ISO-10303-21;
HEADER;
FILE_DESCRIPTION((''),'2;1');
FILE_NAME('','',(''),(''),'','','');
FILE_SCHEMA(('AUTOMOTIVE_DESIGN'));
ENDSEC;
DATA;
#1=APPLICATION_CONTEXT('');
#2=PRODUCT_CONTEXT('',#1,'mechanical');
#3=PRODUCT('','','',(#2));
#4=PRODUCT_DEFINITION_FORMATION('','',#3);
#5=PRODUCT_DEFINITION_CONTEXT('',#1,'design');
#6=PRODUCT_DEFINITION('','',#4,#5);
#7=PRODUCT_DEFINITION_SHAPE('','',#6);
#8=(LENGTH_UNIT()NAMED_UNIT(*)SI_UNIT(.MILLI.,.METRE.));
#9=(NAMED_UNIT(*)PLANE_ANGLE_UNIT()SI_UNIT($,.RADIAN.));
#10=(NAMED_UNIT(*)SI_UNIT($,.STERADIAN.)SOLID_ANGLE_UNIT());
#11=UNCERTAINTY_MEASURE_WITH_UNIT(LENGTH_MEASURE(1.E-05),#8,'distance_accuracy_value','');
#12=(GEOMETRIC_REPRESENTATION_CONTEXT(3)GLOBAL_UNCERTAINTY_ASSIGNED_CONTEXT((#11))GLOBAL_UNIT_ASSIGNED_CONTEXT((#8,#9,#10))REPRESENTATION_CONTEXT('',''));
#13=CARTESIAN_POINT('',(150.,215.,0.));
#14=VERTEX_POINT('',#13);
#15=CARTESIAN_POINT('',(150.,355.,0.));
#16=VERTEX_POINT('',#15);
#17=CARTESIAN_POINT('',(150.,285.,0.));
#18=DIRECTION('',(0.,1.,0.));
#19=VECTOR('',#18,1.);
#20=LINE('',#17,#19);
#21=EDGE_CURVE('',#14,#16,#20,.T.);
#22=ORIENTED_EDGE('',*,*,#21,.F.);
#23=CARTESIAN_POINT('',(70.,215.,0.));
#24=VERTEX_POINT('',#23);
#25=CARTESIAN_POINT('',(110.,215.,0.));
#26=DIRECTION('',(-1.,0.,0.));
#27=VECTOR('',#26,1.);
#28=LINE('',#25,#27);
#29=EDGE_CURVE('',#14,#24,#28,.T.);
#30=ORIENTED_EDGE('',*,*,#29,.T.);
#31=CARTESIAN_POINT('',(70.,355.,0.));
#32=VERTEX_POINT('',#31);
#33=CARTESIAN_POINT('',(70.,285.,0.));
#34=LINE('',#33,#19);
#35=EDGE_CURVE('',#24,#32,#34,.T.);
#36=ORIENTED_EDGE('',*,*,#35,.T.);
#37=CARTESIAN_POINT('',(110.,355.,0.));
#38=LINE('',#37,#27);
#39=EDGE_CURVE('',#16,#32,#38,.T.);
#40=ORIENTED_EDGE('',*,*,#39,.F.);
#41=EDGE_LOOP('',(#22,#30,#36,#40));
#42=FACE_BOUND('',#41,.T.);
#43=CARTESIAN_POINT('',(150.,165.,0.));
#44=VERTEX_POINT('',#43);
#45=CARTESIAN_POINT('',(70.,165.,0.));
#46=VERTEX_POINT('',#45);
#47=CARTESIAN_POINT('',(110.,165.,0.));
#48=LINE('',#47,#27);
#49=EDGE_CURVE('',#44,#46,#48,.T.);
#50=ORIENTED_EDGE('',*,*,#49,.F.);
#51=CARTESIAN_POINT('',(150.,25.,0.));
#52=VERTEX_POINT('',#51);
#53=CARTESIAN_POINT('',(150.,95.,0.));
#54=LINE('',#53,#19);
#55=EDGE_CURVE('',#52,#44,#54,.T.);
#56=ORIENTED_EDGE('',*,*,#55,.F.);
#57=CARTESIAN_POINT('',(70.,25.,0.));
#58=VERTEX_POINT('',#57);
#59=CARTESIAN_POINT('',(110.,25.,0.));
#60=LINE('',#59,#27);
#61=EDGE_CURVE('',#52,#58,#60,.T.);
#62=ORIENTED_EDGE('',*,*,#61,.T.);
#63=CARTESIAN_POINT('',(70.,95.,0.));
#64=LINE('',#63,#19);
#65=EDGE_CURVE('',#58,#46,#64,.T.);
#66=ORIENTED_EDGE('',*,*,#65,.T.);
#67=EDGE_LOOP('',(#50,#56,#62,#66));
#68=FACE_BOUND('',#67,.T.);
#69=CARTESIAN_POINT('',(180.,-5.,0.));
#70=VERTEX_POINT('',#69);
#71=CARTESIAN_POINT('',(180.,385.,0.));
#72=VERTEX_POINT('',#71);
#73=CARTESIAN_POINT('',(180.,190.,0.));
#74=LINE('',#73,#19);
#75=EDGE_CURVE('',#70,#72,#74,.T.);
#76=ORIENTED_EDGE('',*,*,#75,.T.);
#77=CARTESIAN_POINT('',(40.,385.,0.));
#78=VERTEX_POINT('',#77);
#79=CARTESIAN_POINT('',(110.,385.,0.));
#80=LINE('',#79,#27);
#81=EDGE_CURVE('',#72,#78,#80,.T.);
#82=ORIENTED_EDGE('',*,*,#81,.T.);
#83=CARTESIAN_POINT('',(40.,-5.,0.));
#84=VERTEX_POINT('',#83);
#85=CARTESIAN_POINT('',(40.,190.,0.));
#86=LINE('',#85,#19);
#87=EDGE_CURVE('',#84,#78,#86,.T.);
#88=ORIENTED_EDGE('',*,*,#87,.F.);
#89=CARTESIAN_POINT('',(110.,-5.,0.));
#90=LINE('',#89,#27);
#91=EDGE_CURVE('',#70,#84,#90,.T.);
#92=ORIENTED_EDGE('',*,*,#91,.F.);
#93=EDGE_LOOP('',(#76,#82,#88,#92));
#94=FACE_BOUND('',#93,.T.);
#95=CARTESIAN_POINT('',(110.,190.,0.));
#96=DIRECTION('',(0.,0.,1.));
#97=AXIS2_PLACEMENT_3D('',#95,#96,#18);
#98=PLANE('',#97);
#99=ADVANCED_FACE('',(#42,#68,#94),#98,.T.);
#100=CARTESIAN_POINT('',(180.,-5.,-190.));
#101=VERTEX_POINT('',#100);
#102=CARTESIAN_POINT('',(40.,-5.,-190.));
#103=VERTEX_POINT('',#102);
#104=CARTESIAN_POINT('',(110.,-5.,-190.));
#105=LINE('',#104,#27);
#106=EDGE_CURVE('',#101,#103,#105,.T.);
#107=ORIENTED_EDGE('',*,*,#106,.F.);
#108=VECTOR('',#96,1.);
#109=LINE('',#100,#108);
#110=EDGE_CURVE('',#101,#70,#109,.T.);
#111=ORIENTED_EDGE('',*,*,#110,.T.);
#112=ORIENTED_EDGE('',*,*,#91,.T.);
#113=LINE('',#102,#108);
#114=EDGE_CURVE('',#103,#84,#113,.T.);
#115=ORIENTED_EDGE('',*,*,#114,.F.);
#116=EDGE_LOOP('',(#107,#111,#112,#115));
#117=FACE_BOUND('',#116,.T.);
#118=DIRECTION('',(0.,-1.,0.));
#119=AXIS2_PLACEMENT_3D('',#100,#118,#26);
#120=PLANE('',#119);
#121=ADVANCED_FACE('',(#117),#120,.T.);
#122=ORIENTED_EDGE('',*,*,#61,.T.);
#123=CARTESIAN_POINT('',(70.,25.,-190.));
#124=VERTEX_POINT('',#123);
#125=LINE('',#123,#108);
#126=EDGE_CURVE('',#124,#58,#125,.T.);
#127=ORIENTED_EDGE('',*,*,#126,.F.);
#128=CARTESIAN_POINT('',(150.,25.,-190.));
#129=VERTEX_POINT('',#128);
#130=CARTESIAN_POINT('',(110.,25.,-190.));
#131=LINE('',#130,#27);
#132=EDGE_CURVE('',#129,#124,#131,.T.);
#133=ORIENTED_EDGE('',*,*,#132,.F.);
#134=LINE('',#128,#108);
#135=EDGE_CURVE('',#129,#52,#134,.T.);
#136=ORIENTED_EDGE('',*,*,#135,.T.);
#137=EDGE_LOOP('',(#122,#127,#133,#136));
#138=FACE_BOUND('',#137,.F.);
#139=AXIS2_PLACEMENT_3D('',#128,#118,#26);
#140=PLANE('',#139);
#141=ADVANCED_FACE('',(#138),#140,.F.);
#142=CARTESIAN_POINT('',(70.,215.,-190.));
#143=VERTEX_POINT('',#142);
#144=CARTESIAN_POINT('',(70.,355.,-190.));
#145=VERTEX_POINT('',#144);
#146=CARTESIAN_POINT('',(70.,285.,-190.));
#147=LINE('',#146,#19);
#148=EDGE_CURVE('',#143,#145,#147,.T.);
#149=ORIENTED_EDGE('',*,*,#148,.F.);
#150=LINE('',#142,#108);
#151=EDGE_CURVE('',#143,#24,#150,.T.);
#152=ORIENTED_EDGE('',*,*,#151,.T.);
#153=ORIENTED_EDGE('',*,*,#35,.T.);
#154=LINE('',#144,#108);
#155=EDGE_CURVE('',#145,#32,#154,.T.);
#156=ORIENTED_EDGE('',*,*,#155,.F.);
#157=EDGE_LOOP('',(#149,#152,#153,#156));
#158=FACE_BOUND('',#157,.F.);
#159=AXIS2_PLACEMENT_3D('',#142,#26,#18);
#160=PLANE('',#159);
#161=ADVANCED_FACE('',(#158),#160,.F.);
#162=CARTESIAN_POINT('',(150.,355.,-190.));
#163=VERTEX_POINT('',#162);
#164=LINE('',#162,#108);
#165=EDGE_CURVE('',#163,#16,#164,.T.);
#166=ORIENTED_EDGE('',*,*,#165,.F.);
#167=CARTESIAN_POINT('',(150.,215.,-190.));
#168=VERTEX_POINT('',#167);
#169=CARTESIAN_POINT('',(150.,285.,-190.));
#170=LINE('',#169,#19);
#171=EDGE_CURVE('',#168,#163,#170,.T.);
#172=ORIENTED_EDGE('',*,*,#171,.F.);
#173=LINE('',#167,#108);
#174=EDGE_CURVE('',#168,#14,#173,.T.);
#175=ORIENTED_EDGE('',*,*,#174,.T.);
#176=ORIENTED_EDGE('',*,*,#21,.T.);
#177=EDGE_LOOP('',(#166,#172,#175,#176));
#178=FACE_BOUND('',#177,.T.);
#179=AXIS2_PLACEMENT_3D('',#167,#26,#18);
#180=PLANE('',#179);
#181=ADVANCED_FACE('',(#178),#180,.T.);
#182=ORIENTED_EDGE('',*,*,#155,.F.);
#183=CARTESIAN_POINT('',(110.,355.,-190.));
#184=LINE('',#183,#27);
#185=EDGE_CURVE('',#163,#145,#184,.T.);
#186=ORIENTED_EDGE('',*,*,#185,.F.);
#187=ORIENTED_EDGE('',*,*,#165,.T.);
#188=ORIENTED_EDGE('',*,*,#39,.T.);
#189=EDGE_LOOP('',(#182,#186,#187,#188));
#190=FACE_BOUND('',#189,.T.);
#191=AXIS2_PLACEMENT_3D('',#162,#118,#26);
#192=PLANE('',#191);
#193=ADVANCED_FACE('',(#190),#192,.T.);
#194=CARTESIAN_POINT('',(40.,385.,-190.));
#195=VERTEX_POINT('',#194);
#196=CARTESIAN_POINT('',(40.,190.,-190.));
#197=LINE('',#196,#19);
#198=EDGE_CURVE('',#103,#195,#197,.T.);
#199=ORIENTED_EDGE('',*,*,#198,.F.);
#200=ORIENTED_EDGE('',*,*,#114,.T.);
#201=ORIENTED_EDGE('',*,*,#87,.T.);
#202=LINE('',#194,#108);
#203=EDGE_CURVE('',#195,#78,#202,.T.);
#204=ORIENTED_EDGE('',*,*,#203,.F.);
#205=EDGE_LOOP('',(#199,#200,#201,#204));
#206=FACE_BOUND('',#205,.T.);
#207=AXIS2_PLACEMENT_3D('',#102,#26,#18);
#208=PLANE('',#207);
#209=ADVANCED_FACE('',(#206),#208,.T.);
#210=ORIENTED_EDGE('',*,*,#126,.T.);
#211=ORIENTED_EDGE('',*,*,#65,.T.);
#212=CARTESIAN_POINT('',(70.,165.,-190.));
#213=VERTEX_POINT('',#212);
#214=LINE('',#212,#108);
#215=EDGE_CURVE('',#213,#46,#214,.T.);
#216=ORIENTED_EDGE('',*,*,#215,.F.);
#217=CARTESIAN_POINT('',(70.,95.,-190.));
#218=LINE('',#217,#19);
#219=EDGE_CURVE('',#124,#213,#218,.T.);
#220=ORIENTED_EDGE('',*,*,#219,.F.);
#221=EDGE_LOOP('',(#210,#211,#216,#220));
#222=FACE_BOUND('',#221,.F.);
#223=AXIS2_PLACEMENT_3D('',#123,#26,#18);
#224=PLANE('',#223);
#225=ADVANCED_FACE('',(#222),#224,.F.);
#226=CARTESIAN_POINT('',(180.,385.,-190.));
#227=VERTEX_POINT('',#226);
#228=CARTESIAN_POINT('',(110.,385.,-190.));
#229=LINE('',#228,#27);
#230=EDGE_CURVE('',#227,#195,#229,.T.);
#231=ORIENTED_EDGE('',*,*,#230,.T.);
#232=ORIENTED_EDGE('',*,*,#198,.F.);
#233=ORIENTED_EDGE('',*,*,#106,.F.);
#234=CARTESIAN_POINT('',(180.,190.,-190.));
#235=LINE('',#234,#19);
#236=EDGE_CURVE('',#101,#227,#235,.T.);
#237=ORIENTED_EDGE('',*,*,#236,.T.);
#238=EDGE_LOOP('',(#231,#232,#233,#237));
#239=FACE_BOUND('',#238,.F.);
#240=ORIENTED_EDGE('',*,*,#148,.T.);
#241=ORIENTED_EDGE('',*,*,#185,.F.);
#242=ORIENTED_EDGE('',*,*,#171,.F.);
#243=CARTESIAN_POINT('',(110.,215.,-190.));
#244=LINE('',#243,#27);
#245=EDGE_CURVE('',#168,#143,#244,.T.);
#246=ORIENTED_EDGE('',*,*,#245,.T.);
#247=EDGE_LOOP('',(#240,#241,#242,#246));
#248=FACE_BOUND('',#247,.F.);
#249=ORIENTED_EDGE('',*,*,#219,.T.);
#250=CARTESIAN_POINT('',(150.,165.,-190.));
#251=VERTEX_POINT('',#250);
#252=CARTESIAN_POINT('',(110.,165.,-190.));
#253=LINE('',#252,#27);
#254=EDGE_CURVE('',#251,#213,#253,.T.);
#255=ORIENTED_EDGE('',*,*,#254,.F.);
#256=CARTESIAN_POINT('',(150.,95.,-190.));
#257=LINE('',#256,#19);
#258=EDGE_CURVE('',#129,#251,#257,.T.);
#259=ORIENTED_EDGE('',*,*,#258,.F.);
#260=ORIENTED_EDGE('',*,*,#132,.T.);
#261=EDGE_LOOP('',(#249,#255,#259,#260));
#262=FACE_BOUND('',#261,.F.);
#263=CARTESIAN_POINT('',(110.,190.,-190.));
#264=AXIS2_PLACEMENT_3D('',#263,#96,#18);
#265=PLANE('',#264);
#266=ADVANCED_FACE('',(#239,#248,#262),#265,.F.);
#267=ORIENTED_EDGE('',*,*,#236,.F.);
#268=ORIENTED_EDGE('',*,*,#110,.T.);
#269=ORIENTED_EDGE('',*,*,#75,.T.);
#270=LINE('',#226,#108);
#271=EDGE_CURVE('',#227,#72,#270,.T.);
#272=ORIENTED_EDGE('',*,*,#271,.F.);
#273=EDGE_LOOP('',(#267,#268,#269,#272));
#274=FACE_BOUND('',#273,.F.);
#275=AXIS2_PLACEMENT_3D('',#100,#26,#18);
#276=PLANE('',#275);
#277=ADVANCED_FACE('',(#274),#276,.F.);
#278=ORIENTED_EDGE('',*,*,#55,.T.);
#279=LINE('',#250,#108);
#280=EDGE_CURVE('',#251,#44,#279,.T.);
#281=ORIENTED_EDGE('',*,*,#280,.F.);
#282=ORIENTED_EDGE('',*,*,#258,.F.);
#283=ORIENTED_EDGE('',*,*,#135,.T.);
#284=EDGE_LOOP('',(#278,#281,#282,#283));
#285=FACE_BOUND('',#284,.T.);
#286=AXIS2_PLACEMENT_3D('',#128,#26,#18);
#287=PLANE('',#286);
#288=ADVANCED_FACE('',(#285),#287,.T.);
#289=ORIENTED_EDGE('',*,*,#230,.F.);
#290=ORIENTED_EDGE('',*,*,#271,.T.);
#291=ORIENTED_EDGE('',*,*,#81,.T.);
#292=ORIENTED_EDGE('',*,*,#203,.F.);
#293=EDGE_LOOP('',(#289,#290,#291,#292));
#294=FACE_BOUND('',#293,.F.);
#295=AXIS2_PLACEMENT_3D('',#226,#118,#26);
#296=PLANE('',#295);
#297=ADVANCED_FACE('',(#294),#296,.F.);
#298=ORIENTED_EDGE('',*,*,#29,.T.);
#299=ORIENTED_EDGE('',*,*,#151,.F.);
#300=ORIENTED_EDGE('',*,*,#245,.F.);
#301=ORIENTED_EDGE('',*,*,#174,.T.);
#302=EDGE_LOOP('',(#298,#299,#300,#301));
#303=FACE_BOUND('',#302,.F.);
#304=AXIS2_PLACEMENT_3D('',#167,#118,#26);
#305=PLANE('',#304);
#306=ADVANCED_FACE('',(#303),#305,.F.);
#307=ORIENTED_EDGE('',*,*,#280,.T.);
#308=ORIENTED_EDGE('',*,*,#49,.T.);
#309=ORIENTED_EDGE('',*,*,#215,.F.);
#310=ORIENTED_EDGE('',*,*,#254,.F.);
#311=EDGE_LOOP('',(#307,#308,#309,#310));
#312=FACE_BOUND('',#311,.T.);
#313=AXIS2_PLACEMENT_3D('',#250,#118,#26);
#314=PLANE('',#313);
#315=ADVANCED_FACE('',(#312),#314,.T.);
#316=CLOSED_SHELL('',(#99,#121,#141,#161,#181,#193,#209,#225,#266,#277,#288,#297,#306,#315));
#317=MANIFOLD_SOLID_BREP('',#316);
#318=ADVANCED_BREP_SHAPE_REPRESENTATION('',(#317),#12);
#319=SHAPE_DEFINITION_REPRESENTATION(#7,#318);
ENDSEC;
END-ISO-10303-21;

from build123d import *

# Parameters (mm, degrees)
BOX056_W               = 140
BOX056_H               = 80
BOX056_DEPTH           = 190
BOX057_W               = 140
BOX057_H               = 80
BOX057_DEPTH           = 190
BOX058_W               = 390
BOX058_H               = 140
BOX058_DEPTH           = 190
CUT009_PLACEMENT_ANGLE = 90


with BuildPart() as cube028:
    # Box056 → Box056 (new body)
    with BuildSketch(Plane(origin=(220, 30, 0), x_dir=(1, 0, 0), z_dir=(0, 0, 1))):
        with Locations((70, 40)):
            Rectangle(BOX056_W, BOX056_H)
    extrude(amount=BOX056_DEPTH)


with BuildPart() as fusion012:
    # Box057 → Box057 (new body)
    with BuildSketch(Plane(origin=(30, 30, 0), x_dir=(1, 0, 0), z_dir=(0, 0, 1))):
        with Locations((70, 40)):
            Rectangle(BOX057_W, BOX057_H)
    extrude(amount=BOX057_DEPTH)

    # Fusion012: union Cube028
    add(cube028.part)


with BuildPart() as cut009:
    # Box058 → Box058 (new body)
    with BuildSketch(Plane.XY):
        with Locations((195, 70)):
            Rectangle(BOX058_W, BOX058_H)
    extrude(amount=BOX058_DEPTH)

    # Cut009: cut Fusion012
    add(fusion012.part, mode=Mode.SUBTRACT)


with BuildPart() as cut009_1:
    # Cut009 placement: moved
    add(cut009.part.moved(Location((180, -5, -190))).rotate(Axis((180, -5, -190), (0, 0, 1)), CUT009_PLACEMENT_ANGLE))


solid = cut009_1.part
